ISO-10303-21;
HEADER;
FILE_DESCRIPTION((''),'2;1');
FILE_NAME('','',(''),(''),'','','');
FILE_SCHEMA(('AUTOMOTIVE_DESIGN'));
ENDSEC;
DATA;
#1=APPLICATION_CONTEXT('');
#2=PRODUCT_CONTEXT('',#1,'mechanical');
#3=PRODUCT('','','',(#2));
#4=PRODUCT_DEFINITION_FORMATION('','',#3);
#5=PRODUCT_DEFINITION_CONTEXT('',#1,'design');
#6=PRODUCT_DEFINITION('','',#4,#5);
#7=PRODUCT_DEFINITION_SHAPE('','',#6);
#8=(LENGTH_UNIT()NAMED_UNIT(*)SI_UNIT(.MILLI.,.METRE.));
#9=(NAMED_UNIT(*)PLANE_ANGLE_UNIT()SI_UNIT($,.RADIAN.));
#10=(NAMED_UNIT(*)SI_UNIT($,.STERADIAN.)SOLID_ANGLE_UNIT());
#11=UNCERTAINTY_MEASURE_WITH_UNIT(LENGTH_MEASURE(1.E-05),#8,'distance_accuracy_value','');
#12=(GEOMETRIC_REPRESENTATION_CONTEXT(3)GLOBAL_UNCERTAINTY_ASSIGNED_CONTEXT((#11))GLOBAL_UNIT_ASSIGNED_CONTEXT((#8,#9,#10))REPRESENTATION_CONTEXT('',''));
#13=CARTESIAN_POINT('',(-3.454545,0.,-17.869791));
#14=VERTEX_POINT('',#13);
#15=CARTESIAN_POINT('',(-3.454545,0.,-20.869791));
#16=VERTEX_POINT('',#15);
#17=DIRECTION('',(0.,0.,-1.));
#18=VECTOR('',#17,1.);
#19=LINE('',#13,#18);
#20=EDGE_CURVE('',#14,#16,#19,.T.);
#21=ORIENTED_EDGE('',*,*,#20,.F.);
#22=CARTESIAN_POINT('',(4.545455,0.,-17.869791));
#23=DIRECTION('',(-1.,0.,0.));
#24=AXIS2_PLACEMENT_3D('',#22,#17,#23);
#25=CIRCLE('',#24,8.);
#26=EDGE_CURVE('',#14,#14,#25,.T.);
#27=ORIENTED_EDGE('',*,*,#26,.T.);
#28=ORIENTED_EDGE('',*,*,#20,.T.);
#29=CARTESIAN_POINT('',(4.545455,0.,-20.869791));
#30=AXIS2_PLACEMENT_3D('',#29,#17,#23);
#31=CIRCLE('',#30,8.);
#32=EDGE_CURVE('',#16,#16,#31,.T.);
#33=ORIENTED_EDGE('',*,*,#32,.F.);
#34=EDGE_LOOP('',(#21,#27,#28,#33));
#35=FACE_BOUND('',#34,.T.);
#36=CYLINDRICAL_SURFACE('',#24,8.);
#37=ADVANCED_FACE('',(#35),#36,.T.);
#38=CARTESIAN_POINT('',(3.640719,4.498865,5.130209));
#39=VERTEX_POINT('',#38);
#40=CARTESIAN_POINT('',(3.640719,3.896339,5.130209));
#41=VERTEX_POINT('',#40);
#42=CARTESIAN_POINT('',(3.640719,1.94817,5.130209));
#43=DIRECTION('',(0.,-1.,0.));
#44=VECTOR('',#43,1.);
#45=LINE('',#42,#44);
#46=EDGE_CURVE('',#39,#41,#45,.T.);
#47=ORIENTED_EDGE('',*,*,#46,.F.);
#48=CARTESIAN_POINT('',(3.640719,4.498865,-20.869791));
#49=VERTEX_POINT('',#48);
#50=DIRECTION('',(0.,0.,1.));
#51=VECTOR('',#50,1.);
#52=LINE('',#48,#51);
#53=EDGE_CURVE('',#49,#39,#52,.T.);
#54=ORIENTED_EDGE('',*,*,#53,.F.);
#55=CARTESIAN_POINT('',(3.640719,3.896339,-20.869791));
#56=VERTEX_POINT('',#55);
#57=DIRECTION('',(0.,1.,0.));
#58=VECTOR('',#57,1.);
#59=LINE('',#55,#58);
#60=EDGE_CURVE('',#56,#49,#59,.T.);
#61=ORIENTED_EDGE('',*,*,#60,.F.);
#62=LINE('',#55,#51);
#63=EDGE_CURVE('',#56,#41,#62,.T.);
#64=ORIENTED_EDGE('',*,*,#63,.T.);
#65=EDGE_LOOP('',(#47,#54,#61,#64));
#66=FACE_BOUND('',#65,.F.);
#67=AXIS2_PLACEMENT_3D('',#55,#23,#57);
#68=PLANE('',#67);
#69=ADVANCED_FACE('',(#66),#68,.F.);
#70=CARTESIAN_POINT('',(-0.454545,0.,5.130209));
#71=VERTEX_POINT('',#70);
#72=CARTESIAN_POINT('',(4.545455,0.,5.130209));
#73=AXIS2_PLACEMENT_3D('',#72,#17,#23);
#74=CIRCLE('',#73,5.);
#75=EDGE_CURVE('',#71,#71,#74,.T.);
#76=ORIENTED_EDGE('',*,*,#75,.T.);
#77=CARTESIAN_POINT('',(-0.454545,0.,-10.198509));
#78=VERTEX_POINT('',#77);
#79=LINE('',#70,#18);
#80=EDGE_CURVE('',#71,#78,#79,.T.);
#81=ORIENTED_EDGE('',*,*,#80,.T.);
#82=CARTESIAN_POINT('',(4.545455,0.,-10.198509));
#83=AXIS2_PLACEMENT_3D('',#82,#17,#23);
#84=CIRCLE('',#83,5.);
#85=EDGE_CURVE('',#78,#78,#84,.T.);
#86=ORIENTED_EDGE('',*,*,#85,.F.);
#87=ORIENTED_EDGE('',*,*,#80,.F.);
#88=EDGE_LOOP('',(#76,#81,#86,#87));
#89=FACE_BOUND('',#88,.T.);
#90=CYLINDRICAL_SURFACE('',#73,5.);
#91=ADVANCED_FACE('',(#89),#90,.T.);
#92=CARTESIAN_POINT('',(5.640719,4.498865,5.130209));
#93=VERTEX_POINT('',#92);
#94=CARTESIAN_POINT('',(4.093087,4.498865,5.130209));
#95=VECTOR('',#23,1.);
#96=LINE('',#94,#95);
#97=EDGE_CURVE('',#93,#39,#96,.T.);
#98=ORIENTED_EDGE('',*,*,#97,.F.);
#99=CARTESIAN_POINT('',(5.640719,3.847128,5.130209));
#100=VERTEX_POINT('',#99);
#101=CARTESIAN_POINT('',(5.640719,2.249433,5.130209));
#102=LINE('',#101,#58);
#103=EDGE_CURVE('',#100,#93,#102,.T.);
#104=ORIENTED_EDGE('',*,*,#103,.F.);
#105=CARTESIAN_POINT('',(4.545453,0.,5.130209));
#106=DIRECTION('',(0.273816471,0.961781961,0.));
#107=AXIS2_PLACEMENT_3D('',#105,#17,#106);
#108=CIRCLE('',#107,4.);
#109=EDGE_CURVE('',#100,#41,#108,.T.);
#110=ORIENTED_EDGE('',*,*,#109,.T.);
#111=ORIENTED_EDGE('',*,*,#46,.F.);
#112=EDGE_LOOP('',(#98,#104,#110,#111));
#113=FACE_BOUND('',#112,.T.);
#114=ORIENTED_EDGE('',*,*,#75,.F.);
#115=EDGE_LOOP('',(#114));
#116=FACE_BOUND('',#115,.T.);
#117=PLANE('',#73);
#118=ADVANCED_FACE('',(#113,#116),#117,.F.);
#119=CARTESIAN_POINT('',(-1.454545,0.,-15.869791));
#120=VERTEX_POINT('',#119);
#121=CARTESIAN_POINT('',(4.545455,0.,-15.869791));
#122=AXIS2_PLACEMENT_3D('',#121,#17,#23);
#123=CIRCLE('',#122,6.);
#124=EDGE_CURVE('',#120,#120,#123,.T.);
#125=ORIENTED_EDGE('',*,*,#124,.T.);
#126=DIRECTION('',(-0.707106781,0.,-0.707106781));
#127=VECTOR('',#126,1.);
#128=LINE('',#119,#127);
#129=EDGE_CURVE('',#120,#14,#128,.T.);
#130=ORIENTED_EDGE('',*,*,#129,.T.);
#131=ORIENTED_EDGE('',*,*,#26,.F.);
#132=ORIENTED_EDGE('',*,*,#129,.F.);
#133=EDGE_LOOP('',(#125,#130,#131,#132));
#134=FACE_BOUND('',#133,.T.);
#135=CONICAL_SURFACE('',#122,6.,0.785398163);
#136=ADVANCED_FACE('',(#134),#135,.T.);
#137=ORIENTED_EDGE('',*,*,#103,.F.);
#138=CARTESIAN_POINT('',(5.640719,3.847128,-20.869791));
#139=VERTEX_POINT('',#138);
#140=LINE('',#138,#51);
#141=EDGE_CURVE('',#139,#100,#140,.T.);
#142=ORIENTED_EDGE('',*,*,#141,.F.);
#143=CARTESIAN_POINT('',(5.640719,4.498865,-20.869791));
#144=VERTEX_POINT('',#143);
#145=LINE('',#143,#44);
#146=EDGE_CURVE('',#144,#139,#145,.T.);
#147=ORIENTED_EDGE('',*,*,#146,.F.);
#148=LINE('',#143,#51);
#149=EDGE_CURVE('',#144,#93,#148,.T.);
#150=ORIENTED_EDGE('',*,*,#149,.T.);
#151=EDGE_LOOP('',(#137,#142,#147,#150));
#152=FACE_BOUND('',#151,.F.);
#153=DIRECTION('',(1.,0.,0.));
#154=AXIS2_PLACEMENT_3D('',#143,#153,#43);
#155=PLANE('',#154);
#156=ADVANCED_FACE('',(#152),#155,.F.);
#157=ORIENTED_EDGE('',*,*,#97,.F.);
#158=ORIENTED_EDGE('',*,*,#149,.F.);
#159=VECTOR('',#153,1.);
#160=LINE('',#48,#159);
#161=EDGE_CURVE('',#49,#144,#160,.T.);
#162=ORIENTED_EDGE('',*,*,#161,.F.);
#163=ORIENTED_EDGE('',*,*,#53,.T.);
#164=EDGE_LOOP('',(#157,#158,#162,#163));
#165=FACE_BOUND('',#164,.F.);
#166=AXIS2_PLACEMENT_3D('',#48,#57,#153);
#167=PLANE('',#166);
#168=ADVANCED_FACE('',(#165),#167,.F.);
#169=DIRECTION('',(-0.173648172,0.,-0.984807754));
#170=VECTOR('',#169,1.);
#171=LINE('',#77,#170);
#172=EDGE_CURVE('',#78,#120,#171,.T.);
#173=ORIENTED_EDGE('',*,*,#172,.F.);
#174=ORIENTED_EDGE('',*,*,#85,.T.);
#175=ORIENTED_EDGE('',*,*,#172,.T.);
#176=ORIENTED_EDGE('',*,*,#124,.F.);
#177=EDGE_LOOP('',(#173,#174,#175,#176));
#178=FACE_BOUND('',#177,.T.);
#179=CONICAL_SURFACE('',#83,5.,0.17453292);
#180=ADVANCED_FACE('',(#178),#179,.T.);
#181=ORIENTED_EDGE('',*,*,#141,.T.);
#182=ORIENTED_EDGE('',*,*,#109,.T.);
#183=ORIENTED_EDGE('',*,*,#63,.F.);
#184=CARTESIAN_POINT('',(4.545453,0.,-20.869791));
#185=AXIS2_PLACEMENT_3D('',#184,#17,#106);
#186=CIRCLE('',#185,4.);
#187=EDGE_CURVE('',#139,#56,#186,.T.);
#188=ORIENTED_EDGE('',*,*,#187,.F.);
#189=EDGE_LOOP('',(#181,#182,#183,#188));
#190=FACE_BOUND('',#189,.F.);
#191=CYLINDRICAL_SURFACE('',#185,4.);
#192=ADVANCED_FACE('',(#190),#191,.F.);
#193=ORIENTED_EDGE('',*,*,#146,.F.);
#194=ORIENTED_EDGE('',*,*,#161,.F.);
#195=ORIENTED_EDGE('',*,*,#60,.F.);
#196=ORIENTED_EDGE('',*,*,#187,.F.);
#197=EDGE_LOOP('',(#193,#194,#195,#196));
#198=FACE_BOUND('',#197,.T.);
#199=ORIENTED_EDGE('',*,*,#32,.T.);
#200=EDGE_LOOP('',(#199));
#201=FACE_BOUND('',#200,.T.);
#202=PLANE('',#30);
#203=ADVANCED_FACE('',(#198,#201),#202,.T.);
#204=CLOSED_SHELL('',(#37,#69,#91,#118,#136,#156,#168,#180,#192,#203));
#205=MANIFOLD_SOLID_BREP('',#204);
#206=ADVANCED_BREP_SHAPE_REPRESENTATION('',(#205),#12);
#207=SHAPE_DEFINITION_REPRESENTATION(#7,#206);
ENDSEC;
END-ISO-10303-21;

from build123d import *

# Parameters (mm, degrees)
F3_DEPTH = 30


with BuildPart() as f1:
    # F0 (on Front) → F1 (revolve)
    with BuildSketch(Plane.XZ):
        Polygon((-3.454545, -17.869791), (-3.454545, -20.869791), (-0.454545, -20.869791), (4.545455, -20.869791), (4.545455, 5.130209), (-0.454545, 5.130209), (-0.454545, -10.198509), (-1.454545, -15.869791), align=None)
    revolve(axis=Axis((4.545455, 0, -7.869791), (0, 0, -1)))

    # F2 (on face) → F3 (cut)
    with BuildSketch(Plane(origin=(0, 0, -20.869791), x_dir=(1, 0, 0), z_dir=(0, 0, -1))):
        with BuildLine():
            Line((5.640719, -4.498865), (5.640719, -3.847128))
            ThreePointArc((5.640719, -3.847128), (4.447064, 3.99879), (3.640719, -3.896339))
            Line((3.640719, -3.896339), (3.640719, -4.498865))
            Line((3.640719, -4.498865), (5.640719, -4.498865))
        make_face()
    extrude(amount=-F3_DEPTH, mode=Mode.SUBTRACT)


solid = f1.part
